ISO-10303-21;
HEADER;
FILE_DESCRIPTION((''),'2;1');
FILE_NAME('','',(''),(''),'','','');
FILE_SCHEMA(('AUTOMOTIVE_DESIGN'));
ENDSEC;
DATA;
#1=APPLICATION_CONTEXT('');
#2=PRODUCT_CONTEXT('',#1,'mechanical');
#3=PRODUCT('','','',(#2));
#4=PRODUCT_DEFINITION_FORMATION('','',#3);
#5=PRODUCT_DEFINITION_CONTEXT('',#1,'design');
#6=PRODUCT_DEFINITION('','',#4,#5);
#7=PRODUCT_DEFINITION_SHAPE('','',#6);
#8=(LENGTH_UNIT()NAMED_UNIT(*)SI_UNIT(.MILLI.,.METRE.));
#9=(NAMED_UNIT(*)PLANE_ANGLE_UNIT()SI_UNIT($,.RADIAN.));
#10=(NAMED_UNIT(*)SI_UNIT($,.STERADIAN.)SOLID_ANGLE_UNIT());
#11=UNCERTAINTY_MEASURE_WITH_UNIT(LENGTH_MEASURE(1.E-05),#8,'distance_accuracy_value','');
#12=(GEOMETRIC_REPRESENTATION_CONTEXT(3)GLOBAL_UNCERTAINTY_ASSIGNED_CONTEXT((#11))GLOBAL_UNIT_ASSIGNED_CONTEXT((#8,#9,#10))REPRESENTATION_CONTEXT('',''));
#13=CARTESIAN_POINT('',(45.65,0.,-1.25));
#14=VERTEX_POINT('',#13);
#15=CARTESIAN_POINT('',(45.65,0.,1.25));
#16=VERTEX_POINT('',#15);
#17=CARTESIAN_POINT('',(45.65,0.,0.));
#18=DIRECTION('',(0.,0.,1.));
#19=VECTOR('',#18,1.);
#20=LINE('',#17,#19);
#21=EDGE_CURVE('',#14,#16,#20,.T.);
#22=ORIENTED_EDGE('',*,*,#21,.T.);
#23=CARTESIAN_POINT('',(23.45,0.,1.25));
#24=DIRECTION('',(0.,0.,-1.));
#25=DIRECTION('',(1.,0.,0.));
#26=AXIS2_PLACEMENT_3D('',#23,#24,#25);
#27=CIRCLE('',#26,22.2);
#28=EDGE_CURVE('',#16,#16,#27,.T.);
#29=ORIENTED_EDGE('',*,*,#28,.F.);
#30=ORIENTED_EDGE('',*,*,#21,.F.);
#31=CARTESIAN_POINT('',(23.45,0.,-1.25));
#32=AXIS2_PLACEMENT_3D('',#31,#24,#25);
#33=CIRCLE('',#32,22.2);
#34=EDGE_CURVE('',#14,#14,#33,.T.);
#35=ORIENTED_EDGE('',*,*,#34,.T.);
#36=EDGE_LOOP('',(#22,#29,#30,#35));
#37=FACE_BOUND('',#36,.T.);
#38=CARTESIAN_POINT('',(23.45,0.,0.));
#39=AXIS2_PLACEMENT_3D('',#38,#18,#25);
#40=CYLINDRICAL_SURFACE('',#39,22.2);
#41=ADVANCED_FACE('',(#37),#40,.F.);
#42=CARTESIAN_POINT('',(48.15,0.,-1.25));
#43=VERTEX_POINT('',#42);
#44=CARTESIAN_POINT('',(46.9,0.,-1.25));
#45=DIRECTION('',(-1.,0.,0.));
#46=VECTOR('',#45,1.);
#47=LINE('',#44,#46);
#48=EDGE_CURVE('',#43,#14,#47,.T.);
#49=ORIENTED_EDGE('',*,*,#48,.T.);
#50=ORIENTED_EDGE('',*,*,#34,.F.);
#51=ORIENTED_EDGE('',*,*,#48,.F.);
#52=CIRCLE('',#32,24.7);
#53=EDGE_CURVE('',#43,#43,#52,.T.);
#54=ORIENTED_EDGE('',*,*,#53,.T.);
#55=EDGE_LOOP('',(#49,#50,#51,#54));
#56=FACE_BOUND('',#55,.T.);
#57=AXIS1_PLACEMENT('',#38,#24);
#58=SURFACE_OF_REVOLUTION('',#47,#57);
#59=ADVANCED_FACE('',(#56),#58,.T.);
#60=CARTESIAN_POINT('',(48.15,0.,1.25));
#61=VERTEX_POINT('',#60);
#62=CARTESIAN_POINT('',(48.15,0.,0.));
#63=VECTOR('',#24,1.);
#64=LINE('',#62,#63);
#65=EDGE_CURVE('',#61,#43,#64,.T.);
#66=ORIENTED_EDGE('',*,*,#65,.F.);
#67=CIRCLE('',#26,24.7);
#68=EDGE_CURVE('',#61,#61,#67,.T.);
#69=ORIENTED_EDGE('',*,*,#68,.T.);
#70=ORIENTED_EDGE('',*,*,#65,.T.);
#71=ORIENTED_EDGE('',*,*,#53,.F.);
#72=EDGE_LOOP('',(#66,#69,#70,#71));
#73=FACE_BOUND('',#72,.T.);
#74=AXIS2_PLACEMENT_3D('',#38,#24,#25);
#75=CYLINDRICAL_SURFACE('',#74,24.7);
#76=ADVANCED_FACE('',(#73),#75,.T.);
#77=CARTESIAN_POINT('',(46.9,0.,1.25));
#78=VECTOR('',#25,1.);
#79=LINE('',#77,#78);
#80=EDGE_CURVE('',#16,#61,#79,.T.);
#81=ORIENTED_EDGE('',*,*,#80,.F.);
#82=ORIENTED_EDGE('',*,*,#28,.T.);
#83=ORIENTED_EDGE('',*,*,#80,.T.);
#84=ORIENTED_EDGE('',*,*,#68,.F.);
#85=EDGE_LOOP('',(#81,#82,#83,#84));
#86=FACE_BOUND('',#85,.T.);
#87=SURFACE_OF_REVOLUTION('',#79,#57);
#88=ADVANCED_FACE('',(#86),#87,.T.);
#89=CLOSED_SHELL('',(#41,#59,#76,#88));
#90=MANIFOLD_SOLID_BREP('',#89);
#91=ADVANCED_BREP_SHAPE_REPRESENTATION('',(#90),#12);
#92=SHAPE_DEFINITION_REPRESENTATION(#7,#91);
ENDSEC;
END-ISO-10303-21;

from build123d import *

# Parameters (mm, degrees)
F0_W = 2.5
F0_H = 2.5


with BuildPart() as f2:
    # F2: sweep along a path in F1
    with BuildLine(Plane.XY) as f2_path:
        ThreePointArc((0, 0), (23.45, 23.45), (46.9, 0))
        ThreePointArc((46.9, 0), (23.45, -23.45), (0, 0))
    # F0 (on Front) → F2 (sweep)
    with BuildSketch(Plane.XZ):
        Rectangle(F0_W, F0_H)
    sweep(path=f2_path.line)


solid = f2.part
